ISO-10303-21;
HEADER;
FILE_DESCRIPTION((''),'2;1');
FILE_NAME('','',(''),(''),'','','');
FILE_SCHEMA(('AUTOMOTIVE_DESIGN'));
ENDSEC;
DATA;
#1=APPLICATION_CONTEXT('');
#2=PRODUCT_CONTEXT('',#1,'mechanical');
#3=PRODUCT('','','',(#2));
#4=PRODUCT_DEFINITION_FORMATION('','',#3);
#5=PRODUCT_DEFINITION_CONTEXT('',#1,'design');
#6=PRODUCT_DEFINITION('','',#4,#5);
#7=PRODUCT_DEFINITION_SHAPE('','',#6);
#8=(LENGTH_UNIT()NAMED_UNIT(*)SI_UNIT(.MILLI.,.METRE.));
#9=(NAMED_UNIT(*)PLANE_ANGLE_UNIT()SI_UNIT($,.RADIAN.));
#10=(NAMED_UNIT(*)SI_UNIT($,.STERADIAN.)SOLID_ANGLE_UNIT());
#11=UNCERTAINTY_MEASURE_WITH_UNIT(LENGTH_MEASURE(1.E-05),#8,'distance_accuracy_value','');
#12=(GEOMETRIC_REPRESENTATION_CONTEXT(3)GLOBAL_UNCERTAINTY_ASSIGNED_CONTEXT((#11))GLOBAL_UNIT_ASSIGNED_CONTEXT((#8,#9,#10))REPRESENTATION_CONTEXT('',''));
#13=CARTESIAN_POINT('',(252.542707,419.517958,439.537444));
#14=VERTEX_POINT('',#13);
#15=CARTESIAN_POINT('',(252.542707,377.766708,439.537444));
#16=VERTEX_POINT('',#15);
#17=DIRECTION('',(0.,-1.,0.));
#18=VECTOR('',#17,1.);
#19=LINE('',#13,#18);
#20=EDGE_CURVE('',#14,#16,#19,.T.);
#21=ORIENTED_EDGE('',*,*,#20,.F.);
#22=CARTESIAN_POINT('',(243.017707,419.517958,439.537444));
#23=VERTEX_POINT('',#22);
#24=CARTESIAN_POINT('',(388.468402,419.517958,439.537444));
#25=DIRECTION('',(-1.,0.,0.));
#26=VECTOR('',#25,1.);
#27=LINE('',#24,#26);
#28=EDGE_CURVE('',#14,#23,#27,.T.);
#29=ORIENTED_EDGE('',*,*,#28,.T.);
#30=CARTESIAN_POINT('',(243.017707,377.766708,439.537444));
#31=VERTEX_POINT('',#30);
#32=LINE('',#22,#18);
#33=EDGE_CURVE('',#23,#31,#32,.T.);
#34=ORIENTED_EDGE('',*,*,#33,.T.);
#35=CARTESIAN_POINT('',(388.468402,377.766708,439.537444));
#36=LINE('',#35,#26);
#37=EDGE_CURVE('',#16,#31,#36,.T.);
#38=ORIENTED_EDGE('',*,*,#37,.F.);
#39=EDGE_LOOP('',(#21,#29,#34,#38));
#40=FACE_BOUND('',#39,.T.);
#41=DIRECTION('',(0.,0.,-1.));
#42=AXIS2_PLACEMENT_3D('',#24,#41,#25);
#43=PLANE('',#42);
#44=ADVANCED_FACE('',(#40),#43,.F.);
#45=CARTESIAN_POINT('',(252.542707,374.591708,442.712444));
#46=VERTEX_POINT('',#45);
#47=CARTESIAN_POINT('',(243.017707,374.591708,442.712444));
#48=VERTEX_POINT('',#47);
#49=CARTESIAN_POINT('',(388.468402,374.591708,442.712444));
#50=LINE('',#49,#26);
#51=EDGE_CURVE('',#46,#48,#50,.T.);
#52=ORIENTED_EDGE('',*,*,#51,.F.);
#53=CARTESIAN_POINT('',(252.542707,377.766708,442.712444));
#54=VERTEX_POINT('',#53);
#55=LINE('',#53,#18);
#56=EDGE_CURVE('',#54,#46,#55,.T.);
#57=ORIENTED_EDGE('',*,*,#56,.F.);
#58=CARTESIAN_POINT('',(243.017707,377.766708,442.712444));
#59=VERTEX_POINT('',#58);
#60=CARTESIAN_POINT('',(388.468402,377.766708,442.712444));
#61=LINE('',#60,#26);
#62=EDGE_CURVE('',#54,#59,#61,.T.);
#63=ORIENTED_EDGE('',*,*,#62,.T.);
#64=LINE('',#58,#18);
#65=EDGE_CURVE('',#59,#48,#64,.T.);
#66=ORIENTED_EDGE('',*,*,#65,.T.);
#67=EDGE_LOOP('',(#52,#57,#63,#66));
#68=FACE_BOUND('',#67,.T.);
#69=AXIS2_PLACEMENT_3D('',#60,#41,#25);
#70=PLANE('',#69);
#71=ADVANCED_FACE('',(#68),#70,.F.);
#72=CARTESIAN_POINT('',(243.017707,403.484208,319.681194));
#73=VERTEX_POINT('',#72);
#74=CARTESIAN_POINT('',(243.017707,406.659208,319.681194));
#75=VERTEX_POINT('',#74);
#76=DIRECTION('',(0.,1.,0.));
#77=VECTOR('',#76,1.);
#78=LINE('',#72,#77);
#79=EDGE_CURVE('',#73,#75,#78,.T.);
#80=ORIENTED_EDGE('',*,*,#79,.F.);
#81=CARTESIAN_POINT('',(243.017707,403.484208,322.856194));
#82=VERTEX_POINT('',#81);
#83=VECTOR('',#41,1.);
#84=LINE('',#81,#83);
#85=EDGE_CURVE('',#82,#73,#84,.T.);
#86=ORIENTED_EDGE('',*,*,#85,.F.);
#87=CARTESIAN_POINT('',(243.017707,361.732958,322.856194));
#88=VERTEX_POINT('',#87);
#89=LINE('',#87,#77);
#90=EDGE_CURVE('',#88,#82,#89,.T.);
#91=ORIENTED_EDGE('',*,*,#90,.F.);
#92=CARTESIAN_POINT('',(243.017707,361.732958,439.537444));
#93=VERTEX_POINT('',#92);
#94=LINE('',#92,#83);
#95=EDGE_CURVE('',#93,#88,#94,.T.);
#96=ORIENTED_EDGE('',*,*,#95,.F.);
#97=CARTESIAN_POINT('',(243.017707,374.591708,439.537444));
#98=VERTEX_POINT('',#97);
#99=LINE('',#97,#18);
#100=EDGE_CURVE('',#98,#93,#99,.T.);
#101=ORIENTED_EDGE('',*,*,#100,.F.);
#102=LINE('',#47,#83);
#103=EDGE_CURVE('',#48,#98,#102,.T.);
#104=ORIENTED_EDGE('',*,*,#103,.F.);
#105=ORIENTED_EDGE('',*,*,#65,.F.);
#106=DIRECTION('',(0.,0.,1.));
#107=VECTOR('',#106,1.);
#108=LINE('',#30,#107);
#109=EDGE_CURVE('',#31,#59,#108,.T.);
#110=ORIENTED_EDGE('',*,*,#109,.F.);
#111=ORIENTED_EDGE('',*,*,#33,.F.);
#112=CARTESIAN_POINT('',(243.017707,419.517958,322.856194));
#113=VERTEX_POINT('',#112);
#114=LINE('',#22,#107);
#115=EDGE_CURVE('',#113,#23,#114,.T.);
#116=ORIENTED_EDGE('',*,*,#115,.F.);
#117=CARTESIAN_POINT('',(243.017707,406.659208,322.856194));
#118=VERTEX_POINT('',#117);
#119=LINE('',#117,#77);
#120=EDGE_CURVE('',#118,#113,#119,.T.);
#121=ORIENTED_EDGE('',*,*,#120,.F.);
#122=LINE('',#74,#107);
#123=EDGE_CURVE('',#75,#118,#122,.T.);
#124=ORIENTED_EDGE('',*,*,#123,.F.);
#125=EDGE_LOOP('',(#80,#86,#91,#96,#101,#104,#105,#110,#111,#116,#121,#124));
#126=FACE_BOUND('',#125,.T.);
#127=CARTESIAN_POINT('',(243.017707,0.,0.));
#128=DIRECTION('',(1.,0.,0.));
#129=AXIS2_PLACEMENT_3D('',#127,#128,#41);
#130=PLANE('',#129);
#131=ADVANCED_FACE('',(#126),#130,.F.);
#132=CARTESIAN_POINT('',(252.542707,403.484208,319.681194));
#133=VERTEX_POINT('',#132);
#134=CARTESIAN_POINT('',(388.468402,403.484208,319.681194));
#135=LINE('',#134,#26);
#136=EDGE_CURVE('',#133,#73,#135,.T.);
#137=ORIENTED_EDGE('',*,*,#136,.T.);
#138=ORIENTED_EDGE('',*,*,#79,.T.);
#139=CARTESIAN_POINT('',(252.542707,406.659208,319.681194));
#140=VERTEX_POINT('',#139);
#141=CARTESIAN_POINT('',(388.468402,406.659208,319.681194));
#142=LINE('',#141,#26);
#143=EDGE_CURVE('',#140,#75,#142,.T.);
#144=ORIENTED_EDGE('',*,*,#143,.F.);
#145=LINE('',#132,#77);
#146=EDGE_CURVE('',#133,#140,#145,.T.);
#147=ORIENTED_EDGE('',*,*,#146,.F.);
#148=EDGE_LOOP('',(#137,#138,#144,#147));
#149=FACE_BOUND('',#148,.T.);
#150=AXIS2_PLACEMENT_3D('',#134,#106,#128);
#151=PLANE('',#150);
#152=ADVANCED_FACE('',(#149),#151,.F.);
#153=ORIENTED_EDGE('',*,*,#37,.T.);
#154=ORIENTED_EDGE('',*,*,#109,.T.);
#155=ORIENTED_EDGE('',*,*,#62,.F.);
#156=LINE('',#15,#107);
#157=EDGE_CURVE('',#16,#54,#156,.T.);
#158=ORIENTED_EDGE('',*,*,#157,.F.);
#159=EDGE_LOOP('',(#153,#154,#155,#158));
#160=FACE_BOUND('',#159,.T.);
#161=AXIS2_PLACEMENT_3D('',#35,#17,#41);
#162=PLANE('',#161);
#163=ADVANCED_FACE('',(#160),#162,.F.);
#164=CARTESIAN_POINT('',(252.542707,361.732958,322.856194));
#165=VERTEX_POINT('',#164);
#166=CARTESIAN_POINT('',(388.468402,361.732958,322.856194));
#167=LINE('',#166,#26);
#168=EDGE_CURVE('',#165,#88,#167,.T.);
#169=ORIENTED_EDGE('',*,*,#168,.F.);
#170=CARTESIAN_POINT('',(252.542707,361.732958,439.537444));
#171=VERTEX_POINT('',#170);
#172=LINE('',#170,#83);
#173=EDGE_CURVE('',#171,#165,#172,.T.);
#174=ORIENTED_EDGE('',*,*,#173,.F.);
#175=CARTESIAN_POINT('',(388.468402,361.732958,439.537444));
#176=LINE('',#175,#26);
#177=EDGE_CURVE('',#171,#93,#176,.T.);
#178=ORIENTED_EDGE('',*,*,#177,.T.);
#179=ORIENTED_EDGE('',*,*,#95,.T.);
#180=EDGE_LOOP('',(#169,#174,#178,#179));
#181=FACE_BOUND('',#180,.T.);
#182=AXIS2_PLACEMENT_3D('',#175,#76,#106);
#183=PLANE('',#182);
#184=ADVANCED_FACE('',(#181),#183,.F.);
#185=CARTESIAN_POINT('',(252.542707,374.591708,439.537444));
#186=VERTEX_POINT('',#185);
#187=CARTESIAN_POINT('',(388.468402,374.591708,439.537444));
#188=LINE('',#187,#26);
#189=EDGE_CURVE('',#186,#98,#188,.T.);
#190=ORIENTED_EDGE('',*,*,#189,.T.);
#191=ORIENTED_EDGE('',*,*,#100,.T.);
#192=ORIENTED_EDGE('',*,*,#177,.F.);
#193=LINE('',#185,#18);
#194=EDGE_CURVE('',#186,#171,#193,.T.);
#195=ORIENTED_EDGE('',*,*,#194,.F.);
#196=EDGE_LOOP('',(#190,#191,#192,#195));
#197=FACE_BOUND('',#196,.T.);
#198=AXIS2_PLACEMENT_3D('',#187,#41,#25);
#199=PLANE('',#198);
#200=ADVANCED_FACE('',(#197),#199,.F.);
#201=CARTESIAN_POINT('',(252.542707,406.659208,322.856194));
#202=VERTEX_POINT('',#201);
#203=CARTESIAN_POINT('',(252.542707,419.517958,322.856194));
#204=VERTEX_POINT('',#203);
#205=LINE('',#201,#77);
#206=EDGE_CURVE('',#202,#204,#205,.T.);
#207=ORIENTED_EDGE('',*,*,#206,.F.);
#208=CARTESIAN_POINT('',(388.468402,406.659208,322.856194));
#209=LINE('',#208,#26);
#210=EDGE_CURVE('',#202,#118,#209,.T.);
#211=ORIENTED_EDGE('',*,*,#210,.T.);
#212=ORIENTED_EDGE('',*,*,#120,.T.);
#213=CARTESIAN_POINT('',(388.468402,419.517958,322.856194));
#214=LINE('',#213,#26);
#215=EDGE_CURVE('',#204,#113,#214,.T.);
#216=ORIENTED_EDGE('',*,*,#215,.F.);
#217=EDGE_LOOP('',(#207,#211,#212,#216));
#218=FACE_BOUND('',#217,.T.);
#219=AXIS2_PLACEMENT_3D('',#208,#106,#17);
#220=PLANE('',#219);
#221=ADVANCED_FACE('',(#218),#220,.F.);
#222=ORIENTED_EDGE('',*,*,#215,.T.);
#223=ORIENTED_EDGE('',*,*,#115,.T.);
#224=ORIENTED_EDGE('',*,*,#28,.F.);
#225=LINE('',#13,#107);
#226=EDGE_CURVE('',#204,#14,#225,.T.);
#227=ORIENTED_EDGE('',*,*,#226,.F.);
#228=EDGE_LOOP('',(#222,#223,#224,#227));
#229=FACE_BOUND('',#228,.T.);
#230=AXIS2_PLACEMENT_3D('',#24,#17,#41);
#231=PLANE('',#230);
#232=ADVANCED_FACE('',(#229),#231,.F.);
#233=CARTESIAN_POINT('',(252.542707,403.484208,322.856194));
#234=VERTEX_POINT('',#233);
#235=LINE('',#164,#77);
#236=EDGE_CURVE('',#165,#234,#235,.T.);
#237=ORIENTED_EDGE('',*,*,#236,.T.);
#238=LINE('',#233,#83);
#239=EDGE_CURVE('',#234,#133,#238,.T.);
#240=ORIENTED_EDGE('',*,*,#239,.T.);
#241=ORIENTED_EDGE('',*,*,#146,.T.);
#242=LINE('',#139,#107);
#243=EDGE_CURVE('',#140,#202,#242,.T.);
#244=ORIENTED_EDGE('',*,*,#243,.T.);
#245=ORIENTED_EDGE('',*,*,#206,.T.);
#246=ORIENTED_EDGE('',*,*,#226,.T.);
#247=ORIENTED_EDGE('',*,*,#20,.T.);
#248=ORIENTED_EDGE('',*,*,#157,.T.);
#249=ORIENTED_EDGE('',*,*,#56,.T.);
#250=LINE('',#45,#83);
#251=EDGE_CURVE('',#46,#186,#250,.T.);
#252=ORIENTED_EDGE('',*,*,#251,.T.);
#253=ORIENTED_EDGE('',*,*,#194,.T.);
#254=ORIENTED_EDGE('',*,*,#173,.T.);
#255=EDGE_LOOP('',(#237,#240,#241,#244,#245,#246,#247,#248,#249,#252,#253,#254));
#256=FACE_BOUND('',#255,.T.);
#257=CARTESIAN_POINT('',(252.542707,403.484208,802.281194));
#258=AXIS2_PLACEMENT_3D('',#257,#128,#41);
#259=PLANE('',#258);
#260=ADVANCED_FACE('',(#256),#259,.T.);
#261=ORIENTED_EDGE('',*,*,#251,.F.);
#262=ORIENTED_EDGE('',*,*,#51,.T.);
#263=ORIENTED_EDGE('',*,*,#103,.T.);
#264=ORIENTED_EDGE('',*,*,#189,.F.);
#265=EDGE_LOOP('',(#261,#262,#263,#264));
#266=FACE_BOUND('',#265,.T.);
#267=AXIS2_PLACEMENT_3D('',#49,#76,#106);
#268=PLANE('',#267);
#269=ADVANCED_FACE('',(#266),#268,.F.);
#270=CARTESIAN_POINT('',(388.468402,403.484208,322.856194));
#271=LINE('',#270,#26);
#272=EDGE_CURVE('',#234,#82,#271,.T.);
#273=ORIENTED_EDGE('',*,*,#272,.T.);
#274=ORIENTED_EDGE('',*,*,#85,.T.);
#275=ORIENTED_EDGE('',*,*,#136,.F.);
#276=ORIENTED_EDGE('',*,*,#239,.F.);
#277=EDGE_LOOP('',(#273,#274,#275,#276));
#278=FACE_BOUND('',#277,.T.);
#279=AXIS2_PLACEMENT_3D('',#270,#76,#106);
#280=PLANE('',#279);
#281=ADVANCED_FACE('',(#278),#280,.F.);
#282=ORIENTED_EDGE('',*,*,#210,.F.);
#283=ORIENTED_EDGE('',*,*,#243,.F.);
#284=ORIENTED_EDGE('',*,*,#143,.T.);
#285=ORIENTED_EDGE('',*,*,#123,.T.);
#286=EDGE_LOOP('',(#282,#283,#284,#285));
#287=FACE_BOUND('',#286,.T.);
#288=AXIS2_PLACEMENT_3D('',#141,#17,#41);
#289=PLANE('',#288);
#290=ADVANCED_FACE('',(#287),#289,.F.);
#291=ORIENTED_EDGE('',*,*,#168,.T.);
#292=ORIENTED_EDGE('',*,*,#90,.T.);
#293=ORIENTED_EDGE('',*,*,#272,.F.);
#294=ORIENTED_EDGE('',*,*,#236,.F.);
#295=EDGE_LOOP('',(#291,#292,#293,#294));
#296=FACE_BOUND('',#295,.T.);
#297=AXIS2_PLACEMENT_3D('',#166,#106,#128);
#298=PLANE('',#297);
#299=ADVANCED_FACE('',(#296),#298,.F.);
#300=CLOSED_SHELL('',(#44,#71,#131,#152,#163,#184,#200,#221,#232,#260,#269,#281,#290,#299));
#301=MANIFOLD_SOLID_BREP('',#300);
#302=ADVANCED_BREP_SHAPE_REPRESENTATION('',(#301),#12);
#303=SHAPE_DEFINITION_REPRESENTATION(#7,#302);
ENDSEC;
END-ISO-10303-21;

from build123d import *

# Parameters (mm, degrees)
BOSS_EXTRUDE1_DEPTH = 9.525


with BuildPart() as part:
    # Sketch1 → Boss-Extrude1 (new body)
    with BuildSketch(Plane(origin=(243.017706631, 0, 0), x_dir=(0, 0, -1), z_dir=(1, 0, 0))):
        Polygon((-319.681194078, 406.659208455), (-322.856194078, 406.659208455), (-322.856194078, 419.517958455), (-439.537444078, 419.517958455), (-439.537444078, 377.766708455), (-442.712444078, 377.766708455), (-442.712444078, 374.591708455), (-439.537444078, 374.591708455), (-439.537444078, 361.732958455), (-322.856194078, 361.732958455), (-322.856194078, 403.484208455), (-319.681194078, 403.484208455), align=None)
    extrude(amount=BOSS_EXTRUDE1_DEPTH)


solid = part.part
